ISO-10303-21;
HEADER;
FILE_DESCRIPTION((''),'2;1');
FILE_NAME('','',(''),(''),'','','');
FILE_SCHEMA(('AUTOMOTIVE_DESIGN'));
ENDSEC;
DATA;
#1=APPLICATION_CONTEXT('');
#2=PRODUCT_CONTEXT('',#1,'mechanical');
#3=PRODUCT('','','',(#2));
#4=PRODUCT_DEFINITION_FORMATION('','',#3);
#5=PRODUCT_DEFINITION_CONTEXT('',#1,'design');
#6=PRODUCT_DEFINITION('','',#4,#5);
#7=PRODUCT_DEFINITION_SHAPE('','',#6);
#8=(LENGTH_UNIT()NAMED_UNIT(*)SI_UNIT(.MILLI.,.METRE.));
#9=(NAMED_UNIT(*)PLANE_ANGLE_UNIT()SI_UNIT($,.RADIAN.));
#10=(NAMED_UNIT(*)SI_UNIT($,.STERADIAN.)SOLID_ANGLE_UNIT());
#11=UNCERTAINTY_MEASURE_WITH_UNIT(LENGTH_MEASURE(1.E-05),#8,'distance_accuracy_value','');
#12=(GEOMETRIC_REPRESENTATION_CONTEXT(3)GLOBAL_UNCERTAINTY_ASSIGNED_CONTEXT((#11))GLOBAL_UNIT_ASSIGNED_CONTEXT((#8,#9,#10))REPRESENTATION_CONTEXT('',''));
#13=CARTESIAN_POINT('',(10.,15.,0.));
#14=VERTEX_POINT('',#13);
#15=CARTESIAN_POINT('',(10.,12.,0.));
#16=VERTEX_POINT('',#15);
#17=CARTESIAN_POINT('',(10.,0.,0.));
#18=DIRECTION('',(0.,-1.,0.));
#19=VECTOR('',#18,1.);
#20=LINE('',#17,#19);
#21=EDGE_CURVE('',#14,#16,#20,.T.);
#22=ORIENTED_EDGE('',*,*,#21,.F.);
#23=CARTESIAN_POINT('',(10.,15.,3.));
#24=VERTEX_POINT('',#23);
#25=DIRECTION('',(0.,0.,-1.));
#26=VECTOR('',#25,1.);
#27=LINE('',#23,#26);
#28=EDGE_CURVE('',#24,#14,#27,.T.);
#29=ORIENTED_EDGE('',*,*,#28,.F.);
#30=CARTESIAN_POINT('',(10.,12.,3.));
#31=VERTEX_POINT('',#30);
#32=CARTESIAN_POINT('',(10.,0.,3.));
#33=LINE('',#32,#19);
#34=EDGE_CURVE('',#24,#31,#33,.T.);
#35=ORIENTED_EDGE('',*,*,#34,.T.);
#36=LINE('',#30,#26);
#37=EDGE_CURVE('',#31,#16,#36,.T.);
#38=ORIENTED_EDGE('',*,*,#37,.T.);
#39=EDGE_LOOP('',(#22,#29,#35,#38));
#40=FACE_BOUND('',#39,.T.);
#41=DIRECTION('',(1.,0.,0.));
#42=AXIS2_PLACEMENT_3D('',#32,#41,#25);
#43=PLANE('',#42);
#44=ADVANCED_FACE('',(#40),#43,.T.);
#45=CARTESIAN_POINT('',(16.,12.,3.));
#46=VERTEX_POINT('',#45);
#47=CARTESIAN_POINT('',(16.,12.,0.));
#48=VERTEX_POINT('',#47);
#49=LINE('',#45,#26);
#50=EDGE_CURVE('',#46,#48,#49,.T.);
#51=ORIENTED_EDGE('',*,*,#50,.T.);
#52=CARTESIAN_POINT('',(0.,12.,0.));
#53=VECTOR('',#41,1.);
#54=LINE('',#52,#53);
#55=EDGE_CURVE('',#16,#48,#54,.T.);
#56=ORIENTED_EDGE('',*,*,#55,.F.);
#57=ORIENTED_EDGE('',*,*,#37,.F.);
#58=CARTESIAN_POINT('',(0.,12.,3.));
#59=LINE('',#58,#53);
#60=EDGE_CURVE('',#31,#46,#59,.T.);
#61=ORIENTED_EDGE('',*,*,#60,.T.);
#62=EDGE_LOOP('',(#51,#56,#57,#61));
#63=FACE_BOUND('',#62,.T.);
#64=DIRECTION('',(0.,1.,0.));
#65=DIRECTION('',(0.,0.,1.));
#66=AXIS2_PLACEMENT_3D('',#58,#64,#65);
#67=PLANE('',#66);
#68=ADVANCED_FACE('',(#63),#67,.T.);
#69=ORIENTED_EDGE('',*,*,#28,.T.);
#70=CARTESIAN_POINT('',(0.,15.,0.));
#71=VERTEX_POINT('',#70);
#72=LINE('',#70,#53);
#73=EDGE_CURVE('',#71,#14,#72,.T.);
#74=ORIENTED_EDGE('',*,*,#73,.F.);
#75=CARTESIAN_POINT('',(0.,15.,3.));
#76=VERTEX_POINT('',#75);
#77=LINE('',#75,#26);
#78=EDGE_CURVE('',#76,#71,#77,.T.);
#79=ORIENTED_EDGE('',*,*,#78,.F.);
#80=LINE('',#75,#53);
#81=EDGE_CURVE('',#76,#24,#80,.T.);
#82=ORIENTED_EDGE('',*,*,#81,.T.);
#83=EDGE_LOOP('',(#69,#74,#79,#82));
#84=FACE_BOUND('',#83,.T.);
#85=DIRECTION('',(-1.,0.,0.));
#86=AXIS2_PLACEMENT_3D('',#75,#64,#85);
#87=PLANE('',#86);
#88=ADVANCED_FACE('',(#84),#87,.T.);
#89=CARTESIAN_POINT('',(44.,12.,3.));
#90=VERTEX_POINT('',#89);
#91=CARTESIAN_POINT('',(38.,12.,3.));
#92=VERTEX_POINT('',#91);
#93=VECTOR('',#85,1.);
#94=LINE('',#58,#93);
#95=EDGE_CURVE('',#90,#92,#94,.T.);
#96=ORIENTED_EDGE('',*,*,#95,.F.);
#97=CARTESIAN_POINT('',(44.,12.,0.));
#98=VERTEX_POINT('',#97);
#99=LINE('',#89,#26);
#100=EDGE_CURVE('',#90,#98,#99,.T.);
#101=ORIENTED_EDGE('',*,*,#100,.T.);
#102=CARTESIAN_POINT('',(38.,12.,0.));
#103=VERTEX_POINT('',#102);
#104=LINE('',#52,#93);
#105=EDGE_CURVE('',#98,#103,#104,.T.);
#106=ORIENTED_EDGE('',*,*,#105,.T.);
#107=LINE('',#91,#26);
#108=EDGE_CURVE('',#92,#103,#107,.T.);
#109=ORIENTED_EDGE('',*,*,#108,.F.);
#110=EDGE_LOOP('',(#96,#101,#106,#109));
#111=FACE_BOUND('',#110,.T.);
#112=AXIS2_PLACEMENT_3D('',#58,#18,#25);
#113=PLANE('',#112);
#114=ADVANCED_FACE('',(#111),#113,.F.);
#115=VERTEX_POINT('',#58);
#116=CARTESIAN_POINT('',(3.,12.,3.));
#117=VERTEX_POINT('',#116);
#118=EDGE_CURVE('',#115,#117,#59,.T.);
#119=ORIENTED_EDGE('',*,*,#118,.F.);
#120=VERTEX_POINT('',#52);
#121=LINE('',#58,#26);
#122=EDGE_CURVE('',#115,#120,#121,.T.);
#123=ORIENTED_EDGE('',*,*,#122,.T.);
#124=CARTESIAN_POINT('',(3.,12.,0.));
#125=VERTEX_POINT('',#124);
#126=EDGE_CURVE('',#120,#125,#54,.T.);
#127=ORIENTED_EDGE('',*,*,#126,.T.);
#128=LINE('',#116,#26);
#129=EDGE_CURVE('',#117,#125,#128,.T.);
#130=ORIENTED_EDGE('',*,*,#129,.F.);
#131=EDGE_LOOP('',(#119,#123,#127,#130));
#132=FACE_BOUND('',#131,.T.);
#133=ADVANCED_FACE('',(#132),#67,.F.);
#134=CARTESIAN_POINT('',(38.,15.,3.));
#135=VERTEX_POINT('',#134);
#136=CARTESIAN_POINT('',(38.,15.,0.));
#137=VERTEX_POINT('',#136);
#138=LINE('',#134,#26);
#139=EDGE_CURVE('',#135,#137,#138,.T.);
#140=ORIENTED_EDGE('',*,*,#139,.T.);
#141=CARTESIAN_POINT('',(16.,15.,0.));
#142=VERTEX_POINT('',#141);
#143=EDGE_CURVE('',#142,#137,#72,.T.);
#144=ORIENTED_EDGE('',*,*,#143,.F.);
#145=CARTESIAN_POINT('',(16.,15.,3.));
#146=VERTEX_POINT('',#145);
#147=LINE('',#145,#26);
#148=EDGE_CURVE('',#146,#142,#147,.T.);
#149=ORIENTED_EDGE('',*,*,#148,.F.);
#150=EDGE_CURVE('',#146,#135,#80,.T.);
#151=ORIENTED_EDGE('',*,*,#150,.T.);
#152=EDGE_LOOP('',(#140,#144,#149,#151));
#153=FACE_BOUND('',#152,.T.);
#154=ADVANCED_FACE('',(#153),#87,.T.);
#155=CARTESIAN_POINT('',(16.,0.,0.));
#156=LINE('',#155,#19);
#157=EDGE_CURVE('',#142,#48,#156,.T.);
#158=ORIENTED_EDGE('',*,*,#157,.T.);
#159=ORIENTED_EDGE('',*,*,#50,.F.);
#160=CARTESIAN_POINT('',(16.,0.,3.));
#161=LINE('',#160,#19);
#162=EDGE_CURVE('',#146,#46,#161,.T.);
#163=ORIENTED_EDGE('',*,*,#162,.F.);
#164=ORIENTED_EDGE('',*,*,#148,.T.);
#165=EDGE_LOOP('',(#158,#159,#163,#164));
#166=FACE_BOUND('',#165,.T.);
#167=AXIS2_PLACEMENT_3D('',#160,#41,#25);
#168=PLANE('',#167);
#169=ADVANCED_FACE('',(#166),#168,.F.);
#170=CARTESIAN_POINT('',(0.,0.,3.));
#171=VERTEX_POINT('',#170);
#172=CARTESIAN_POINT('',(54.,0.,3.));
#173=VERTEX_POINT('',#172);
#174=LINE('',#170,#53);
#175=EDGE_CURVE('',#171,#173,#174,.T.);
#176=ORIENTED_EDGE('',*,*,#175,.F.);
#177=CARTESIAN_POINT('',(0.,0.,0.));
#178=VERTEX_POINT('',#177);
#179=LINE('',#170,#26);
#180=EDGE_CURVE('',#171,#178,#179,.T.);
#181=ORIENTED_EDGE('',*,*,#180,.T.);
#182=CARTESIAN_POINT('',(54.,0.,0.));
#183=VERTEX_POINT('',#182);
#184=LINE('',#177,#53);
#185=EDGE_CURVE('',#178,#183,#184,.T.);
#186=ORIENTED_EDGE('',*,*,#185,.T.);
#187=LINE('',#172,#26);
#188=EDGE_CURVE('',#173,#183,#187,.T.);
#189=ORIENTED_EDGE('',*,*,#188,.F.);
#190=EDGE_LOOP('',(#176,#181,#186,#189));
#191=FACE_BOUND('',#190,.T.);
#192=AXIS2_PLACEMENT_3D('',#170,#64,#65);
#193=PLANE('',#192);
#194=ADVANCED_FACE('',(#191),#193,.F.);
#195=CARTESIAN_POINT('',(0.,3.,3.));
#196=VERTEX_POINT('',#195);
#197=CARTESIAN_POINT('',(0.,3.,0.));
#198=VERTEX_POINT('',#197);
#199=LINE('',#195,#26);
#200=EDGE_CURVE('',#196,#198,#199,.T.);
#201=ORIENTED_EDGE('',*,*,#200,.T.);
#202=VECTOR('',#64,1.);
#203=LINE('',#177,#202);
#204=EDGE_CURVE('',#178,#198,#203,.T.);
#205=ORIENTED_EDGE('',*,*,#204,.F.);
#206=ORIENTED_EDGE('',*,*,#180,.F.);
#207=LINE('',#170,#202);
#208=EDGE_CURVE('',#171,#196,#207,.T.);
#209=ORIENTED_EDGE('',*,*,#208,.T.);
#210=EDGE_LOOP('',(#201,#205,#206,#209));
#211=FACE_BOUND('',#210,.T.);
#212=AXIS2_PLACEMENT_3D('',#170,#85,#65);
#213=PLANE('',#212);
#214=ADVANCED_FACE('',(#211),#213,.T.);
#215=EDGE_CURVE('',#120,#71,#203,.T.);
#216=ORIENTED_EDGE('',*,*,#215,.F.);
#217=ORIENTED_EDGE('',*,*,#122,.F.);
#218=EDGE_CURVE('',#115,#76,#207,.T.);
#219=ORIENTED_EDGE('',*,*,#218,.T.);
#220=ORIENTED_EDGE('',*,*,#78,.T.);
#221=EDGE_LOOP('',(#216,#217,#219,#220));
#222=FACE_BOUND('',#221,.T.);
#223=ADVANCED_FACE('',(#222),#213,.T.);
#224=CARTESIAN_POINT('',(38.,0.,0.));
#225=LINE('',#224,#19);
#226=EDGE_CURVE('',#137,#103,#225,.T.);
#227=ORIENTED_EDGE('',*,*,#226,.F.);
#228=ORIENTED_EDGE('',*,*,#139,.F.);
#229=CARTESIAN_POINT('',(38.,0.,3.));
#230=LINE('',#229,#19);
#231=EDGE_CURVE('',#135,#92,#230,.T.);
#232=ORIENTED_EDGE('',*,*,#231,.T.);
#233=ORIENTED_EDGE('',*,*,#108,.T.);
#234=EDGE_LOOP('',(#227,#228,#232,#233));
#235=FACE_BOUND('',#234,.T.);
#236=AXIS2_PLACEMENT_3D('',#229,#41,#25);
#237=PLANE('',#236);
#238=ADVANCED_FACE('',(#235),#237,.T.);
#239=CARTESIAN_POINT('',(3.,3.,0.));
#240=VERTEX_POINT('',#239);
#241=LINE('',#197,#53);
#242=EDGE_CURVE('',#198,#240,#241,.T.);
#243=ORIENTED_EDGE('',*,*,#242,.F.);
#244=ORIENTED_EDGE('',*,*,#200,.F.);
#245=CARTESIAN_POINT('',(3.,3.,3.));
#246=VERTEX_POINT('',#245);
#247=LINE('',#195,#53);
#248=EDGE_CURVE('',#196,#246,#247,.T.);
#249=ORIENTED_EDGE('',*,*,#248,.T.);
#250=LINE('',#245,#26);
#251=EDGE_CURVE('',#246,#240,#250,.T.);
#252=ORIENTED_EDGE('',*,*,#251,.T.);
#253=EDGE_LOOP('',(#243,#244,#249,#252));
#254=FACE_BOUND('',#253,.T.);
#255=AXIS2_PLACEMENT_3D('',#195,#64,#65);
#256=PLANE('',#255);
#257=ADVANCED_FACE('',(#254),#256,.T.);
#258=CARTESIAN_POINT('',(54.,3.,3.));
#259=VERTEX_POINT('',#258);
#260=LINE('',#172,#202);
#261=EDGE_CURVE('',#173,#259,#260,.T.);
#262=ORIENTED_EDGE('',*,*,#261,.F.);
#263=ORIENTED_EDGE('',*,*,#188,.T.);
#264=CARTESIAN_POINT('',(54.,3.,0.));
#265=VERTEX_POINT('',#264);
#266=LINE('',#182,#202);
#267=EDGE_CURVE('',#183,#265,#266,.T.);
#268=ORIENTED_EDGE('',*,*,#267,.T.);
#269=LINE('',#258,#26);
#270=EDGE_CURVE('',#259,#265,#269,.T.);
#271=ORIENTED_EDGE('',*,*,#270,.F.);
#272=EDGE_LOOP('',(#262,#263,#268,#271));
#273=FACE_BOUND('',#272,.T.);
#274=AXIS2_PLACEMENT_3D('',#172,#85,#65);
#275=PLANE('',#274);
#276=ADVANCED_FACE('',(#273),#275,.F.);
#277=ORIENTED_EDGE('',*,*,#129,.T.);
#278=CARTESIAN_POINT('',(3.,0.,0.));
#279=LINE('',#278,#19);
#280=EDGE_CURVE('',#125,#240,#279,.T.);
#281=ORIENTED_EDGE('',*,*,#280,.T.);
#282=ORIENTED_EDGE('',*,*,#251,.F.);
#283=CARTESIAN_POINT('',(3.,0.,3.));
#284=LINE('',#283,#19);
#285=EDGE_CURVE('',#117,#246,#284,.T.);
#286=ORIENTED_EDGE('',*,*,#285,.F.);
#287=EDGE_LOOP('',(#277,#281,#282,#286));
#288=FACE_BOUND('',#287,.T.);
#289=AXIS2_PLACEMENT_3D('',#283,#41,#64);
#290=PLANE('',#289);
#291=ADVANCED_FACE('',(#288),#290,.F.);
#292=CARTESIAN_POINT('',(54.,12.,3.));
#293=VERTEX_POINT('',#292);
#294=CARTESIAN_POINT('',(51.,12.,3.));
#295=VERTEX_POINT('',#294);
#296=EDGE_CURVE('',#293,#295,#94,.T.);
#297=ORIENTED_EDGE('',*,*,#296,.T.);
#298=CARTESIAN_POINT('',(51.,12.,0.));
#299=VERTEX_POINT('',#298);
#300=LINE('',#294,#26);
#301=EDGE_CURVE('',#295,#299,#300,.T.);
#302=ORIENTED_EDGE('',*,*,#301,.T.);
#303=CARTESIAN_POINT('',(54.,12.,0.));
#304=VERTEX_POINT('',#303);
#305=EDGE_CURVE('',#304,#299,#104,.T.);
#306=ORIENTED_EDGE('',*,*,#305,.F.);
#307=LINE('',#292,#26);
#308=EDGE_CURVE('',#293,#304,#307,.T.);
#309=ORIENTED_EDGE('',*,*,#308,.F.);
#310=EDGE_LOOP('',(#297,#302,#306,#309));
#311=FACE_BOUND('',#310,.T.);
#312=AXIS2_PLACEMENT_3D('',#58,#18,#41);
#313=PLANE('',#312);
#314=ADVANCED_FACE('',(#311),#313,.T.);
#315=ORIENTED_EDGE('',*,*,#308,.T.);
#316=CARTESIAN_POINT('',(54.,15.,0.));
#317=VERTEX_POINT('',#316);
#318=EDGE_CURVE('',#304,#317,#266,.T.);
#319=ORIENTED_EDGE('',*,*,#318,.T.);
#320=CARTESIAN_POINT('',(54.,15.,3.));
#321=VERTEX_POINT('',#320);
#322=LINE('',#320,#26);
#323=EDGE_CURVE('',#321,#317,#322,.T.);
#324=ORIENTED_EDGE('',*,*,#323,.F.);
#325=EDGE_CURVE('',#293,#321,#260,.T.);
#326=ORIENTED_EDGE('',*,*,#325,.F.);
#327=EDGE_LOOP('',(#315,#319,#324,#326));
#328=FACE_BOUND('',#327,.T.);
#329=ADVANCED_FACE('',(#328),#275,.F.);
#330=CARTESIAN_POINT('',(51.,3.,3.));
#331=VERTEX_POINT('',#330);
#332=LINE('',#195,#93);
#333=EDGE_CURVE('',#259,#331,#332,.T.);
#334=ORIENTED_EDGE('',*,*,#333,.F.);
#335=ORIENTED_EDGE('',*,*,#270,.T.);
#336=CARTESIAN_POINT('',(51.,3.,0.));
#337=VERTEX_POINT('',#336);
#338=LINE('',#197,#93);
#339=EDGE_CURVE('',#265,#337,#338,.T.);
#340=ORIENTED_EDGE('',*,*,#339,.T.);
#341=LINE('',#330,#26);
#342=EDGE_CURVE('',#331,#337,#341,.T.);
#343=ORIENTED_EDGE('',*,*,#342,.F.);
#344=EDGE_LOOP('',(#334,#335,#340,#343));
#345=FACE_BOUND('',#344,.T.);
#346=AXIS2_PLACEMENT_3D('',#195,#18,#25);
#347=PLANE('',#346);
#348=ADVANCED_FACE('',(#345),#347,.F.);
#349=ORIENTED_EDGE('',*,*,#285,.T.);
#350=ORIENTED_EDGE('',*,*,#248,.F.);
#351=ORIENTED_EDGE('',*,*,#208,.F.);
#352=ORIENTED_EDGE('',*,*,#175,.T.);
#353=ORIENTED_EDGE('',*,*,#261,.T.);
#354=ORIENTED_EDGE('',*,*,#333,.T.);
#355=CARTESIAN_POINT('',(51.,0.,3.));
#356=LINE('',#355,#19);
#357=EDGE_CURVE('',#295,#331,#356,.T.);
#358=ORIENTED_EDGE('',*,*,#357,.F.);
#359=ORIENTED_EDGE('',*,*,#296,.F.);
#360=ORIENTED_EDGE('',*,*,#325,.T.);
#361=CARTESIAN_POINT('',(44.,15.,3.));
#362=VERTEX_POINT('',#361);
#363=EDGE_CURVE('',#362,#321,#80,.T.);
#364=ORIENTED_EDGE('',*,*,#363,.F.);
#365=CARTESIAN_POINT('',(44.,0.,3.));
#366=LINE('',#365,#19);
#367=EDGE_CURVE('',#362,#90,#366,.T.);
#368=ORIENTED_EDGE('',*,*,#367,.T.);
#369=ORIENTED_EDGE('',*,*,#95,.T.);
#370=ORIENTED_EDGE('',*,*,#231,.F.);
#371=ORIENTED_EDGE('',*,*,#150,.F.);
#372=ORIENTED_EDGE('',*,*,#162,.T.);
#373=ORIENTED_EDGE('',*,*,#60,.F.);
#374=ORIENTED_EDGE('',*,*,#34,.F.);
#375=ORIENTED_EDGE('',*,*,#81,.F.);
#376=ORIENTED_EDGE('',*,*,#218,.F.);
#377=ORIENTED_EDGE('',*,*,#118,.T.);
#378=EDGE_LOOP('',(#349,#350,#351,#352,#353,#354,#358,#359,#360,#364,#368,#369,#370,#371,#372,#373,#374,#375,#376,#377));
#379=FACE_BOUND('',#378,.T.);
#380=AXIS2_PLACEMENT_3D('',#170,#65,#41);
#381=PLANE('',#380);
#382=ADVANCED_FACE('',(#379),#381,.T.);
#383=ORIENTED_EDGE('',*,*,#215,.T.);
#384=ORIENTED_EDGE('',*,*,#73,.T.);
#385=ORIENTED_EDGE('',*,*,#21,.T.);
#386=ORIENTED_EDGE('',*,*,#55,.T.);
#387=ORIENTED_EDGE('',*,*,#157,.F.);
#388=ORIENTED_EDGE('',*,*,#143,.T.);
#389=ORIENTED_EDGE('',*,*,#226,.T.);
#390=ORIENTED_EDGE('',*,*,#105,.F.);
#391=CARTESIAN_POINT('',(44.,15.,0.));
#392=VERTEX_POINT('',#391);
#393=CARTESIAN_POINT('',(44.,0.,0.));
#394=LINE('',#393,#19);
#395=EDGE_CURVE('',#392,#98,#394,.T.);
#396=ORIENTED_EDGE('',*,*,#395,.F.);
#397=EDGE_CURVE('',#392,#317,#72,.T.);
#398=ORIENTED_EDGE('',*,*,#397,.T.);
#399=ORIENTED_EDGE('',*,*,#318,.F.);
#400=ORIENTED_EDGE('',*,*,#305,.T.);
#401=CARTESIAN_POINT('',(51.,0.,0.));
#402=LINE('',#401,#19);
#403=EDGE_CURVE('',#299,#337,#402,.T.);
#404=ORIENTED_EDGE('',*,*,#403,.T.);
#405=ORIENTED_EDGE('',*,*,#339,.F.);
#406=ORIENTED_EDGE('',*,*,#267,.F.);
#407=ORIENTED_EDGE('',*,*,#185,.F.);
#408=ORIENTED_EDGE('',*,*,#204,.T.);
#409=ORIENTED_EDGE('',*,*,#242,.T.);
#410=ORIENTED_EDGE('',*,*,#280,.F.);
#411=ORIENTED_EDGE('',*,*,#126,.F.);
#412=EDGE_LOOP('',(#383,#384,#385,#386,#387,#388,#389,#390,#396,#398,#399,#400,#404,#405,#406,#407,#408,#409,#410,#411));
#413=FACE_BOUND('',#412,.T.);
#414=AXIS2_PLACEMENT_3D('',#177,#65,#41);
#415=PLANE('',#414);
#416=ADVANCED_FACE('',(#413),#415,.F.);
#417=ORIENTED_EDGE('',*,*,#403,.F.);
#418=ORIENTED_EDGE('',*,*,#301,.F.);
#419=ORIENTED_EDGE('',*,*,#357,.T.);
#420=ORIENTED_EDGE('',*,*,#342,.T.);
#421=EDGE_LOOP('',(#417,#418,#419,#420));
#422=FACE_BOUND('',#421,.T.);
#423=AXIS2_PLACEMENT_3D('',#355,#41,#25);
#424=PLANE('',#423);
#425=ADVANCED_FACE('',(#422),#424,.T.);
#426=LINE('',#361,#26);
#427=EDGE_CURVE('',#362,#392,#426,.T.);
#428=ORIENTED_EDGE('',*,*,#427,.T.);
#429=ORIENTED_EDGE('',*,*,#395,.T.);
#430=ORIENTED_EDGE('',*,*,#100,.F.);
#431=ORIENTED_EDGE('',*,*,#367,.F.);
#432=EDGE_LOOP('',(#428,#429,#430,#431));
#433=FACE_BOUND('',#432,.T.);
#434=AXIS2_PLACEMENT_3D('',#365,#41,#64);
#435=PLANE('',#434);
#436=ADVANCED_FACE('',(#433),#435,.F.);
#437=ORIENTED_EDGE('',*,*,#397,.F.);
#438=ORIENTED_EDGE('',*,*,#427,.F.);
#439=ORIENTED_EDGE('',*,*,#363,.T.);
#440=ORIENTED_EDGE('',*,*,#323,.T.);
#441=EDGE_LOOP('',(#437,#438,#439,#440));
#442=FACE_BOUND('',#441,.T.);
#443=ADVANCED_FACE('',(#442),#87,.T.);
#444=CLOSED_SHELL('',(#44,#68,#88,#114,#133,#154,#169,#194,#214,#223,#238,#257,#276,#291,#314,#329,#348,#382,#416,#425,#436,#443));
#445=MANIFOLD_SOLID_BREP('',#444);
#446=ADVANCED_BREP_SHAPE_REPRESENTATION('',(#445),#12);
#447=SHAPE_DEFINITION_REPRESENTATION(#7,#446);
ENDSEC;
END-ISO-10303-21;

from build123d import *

# Parameters (mm, degrees)
BOSS_EXTRUDE1_DEPTH = 3


with BuildPart() as part:
    # Sketch1 → Boss-Extrude1 (new body)
    with BuildSketch(Plane.XY):
        Polygon((0, 3), (0, 0), (54, 0), (54, 3), (51, 3), (51, 12), (54, 12), (54, 15), (44, 15), (44, 12), (38, 12), (38, 15), (16, 15), (16, 12), (10, 12), (10, 15), (0, 15), (0, 12), (3, 12), (3, 3), align=None)
    extrude(amount=BOSS_EXTRUDE1_DEPTH)


solid = part.part
